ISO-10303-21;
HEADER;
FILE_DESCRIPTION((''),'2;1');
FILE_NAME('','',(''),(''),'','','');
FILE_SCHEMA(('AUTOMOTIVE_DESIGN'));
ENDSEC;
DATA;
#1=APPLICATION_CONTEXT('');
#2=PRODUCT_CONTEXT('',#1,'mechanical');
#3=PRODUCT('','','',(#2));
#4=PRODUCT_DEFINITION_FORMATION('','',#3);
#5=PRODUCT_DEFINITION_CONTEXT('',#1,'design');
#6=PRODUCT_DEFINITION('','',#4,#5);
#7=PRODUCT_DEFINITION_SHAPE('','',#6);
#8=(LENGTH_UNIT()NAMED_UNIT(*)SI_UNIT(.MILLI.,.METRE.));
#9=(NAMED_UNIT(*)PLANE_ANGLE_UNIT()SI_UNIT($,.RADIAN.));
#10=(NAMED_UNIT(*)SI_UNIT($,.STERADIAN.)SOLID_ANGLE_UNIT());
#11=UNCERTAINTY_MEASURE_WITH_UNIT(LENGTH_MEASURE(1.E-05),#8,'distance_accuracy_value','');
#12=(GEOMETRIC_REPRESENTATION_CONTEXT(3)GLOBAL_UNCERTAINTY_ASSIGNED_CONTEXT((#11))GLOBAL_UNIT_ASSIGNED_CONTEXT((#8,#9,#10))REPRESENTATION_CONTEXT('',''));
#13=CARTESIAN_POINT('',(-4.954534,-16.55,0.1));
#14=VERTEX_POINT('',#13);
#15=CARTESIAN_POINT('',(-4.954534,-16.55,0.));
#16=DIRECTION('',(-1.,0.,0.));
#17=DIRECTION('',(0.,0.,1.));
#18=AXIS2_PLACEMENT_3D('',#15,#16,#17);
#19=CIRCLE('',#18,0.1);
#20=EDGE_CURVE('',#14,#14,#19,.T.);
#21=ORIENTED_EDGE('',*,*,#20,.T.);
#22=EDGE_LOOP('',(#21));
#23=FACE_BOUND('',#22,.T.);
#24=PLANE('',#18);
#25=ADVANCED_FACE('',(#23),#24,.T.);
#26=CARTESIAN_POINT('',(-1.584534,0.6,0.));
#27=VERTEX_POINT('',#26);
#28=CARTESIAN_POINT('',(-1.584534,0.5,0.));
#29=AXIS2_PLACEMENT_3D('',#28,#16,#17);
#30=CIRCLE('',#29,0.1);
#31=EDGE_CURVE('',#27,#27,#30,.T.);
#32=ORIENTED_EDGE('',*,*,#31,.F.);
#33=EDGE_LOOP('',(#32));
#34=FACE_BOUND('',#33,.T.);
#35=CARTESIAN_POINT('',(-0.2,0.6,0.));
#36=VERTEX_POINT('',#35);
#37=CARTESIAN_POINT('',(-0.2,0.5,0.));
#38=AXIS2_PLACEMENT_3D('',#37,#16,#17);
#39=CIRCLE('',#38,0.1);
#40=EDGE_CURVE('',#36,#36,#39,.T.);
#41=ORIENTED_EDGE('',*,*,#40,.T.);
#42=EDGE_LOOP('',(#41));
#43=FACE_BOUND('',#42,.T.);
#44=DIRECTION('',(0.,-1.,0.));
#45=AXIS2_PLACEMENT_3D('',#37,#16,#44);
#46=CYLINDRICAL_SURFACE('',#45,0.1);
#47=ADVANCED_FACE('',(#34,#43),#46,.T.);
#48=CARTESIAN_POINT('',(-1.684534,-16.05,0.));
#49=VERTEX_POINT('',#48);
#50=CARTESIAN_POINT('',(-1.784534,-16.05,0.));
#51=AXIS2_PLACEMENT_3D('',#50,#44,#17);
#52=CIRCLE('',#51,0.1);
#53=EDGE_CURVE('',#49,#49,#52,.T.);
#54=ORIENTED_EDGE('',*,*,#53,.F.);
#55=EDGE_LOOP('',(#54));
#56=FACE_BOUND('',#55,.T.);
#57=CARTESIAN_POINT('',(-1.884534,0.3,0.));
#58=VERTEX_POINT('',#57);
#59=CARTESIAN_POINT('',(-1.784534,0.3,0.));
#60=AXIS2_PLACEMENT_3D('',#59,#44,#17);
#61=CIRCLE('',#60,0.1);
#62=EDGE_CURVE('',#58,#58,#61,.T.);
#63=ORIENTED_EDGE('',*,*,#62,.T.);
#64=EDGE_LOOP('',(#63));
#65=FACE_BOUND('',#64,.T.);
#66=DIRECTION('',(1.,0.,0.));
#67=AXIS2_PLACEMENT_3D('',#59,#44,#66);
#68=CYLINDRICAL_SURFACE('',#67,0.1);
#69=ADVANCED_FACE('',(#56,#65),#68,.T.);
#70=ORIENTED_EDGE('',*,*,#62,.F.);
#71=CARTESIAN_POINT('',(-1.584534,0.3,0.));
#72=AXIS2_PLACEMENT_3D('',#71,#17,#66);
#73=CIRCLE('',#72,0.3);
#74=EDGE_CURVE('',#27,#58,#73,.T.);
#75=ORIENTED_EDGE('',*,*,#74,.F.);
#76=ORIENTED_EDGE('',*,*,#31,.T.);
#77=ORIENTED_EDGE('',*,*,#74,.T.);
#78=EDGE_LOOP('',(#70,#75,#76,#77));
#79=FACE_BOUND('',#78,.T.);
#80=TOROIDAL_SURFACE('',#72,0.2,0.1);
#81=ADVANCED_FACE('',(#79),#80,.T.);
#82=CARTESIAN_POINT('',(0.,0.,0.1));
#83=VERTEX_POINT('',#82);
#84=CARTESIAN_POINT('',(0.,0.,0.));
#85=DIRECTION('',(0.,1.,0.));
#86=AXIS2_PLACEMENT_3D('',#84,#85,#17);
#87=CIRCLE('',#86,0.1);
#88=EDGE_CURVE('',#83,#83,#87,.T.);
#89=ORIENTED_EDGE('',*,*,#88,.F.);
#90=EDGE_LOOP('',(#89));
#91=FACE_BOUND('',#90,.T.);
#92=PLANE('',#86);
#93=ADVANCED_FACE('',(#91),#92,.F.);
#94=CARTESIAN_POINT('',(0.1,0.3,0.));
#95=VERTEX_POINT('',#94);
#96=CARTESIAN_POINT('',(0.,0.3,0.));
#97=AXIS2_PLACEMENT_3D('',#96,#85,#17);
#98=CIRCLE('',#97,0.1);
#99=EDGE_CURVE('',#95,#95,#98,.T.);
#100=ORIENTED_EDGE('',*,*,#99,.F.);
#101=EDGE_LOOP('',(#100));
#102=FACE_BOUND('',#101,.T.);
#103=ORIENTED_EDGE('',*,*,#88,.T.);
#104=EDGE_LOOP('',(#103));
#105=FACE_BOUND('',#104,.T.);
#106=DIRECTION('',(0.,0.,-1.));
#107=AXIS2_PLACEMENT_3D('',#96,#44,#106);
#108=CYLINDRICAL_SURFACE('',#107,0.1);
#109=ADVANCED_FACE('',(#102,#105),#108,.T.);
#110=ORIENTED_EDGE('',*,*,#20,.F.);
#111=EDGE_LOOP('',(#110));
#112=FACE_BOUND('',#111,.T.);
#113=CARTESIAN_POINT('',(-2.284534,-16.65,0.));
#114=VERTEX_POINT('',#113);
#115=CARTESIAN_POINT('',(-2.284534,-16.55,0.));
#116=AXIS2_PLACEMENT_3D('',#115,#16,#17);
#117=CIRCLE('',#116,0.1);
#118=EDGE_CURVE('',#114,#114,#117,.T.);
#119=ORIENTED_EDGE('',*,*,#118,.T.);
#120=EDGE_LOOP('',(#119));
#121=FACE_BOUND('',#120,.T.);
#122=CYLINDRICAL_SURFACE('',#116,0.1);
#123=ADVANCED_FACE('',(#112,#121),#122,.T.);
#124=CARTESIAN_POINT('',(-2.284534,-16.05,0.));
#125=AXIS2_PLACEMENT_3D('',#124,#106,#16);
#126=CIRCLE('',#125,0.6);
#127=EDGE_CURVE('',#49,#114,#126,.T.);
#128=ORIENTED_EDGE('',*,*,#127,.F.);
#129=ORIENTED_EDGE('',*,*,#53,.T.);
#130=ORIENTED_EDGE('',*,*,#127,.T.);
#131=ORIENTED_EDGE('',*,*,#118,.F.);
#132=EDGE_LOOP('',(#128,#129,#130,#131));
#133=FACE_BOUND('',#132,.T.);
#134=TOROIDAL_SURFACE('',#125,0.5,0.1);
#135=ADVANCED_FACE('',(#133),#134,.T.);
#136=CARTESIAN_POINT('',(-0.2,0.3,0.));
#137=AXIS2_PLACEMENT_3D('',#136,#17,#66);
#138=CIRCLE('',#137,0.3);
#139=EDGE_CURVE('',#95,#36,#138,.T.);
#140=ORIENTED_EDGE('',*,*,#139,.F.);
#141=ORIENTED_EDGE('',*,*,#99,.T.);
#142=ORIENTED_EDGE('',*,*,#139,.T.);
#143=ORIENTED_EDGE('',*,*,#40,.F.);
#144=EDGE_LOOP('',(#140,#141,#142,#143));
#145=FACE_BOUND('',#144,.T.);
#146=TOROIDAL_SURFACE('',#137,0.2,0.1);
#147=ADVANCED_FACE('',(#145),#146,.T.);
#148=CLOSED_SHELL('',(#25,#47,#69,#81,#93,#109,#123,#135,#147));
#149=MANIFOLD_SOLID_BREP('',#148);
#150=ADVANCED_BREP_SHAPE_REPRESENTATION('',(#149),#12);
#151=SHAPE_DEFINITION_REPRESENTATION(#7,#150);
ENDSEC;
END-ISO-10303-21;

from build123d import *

# Parameters (mm, degrees)
ESQUISSE2_R = 0.1


with BuildPart() as part:
    # Balayage1: sweep along a path in Esquisse1
    with BuildLine(Plane.XY) as balayage1_path:
        Line((0, 0), (0, 0.3))
        ThreePointArc((0, 0.3), (-0.058578644, 0.441421356), (-0.2, 0.5))
        Line((-0.2, 0.5), (-1.584533741, 0.5))
        ThreePointArc((-1.584533741, 0.5), (-1.725955098, 0.441421356), (-1.784533741, 0.3))
        Line((-1.784533741, 0.3), (-1.784533741, -16.05))
        ThreePointArc((-1.784533741, -16.05), (-1.930980351, -16.403553391), (-2.284533741, -16.55))
        Line((-2.284533741, -16.55), (-4.954533741, -16.55))
    # Esquisse2 → Balayage1 (sweep)
    with BuildSketch(Plane(origin=(0, 0, 0), x_dir=(1, 0, 0), z_dir=(0, 1, 0))):
        Circle(ESQUISSE2_R)
    sweep(path=balayage1_path.line)


solid = part.part
